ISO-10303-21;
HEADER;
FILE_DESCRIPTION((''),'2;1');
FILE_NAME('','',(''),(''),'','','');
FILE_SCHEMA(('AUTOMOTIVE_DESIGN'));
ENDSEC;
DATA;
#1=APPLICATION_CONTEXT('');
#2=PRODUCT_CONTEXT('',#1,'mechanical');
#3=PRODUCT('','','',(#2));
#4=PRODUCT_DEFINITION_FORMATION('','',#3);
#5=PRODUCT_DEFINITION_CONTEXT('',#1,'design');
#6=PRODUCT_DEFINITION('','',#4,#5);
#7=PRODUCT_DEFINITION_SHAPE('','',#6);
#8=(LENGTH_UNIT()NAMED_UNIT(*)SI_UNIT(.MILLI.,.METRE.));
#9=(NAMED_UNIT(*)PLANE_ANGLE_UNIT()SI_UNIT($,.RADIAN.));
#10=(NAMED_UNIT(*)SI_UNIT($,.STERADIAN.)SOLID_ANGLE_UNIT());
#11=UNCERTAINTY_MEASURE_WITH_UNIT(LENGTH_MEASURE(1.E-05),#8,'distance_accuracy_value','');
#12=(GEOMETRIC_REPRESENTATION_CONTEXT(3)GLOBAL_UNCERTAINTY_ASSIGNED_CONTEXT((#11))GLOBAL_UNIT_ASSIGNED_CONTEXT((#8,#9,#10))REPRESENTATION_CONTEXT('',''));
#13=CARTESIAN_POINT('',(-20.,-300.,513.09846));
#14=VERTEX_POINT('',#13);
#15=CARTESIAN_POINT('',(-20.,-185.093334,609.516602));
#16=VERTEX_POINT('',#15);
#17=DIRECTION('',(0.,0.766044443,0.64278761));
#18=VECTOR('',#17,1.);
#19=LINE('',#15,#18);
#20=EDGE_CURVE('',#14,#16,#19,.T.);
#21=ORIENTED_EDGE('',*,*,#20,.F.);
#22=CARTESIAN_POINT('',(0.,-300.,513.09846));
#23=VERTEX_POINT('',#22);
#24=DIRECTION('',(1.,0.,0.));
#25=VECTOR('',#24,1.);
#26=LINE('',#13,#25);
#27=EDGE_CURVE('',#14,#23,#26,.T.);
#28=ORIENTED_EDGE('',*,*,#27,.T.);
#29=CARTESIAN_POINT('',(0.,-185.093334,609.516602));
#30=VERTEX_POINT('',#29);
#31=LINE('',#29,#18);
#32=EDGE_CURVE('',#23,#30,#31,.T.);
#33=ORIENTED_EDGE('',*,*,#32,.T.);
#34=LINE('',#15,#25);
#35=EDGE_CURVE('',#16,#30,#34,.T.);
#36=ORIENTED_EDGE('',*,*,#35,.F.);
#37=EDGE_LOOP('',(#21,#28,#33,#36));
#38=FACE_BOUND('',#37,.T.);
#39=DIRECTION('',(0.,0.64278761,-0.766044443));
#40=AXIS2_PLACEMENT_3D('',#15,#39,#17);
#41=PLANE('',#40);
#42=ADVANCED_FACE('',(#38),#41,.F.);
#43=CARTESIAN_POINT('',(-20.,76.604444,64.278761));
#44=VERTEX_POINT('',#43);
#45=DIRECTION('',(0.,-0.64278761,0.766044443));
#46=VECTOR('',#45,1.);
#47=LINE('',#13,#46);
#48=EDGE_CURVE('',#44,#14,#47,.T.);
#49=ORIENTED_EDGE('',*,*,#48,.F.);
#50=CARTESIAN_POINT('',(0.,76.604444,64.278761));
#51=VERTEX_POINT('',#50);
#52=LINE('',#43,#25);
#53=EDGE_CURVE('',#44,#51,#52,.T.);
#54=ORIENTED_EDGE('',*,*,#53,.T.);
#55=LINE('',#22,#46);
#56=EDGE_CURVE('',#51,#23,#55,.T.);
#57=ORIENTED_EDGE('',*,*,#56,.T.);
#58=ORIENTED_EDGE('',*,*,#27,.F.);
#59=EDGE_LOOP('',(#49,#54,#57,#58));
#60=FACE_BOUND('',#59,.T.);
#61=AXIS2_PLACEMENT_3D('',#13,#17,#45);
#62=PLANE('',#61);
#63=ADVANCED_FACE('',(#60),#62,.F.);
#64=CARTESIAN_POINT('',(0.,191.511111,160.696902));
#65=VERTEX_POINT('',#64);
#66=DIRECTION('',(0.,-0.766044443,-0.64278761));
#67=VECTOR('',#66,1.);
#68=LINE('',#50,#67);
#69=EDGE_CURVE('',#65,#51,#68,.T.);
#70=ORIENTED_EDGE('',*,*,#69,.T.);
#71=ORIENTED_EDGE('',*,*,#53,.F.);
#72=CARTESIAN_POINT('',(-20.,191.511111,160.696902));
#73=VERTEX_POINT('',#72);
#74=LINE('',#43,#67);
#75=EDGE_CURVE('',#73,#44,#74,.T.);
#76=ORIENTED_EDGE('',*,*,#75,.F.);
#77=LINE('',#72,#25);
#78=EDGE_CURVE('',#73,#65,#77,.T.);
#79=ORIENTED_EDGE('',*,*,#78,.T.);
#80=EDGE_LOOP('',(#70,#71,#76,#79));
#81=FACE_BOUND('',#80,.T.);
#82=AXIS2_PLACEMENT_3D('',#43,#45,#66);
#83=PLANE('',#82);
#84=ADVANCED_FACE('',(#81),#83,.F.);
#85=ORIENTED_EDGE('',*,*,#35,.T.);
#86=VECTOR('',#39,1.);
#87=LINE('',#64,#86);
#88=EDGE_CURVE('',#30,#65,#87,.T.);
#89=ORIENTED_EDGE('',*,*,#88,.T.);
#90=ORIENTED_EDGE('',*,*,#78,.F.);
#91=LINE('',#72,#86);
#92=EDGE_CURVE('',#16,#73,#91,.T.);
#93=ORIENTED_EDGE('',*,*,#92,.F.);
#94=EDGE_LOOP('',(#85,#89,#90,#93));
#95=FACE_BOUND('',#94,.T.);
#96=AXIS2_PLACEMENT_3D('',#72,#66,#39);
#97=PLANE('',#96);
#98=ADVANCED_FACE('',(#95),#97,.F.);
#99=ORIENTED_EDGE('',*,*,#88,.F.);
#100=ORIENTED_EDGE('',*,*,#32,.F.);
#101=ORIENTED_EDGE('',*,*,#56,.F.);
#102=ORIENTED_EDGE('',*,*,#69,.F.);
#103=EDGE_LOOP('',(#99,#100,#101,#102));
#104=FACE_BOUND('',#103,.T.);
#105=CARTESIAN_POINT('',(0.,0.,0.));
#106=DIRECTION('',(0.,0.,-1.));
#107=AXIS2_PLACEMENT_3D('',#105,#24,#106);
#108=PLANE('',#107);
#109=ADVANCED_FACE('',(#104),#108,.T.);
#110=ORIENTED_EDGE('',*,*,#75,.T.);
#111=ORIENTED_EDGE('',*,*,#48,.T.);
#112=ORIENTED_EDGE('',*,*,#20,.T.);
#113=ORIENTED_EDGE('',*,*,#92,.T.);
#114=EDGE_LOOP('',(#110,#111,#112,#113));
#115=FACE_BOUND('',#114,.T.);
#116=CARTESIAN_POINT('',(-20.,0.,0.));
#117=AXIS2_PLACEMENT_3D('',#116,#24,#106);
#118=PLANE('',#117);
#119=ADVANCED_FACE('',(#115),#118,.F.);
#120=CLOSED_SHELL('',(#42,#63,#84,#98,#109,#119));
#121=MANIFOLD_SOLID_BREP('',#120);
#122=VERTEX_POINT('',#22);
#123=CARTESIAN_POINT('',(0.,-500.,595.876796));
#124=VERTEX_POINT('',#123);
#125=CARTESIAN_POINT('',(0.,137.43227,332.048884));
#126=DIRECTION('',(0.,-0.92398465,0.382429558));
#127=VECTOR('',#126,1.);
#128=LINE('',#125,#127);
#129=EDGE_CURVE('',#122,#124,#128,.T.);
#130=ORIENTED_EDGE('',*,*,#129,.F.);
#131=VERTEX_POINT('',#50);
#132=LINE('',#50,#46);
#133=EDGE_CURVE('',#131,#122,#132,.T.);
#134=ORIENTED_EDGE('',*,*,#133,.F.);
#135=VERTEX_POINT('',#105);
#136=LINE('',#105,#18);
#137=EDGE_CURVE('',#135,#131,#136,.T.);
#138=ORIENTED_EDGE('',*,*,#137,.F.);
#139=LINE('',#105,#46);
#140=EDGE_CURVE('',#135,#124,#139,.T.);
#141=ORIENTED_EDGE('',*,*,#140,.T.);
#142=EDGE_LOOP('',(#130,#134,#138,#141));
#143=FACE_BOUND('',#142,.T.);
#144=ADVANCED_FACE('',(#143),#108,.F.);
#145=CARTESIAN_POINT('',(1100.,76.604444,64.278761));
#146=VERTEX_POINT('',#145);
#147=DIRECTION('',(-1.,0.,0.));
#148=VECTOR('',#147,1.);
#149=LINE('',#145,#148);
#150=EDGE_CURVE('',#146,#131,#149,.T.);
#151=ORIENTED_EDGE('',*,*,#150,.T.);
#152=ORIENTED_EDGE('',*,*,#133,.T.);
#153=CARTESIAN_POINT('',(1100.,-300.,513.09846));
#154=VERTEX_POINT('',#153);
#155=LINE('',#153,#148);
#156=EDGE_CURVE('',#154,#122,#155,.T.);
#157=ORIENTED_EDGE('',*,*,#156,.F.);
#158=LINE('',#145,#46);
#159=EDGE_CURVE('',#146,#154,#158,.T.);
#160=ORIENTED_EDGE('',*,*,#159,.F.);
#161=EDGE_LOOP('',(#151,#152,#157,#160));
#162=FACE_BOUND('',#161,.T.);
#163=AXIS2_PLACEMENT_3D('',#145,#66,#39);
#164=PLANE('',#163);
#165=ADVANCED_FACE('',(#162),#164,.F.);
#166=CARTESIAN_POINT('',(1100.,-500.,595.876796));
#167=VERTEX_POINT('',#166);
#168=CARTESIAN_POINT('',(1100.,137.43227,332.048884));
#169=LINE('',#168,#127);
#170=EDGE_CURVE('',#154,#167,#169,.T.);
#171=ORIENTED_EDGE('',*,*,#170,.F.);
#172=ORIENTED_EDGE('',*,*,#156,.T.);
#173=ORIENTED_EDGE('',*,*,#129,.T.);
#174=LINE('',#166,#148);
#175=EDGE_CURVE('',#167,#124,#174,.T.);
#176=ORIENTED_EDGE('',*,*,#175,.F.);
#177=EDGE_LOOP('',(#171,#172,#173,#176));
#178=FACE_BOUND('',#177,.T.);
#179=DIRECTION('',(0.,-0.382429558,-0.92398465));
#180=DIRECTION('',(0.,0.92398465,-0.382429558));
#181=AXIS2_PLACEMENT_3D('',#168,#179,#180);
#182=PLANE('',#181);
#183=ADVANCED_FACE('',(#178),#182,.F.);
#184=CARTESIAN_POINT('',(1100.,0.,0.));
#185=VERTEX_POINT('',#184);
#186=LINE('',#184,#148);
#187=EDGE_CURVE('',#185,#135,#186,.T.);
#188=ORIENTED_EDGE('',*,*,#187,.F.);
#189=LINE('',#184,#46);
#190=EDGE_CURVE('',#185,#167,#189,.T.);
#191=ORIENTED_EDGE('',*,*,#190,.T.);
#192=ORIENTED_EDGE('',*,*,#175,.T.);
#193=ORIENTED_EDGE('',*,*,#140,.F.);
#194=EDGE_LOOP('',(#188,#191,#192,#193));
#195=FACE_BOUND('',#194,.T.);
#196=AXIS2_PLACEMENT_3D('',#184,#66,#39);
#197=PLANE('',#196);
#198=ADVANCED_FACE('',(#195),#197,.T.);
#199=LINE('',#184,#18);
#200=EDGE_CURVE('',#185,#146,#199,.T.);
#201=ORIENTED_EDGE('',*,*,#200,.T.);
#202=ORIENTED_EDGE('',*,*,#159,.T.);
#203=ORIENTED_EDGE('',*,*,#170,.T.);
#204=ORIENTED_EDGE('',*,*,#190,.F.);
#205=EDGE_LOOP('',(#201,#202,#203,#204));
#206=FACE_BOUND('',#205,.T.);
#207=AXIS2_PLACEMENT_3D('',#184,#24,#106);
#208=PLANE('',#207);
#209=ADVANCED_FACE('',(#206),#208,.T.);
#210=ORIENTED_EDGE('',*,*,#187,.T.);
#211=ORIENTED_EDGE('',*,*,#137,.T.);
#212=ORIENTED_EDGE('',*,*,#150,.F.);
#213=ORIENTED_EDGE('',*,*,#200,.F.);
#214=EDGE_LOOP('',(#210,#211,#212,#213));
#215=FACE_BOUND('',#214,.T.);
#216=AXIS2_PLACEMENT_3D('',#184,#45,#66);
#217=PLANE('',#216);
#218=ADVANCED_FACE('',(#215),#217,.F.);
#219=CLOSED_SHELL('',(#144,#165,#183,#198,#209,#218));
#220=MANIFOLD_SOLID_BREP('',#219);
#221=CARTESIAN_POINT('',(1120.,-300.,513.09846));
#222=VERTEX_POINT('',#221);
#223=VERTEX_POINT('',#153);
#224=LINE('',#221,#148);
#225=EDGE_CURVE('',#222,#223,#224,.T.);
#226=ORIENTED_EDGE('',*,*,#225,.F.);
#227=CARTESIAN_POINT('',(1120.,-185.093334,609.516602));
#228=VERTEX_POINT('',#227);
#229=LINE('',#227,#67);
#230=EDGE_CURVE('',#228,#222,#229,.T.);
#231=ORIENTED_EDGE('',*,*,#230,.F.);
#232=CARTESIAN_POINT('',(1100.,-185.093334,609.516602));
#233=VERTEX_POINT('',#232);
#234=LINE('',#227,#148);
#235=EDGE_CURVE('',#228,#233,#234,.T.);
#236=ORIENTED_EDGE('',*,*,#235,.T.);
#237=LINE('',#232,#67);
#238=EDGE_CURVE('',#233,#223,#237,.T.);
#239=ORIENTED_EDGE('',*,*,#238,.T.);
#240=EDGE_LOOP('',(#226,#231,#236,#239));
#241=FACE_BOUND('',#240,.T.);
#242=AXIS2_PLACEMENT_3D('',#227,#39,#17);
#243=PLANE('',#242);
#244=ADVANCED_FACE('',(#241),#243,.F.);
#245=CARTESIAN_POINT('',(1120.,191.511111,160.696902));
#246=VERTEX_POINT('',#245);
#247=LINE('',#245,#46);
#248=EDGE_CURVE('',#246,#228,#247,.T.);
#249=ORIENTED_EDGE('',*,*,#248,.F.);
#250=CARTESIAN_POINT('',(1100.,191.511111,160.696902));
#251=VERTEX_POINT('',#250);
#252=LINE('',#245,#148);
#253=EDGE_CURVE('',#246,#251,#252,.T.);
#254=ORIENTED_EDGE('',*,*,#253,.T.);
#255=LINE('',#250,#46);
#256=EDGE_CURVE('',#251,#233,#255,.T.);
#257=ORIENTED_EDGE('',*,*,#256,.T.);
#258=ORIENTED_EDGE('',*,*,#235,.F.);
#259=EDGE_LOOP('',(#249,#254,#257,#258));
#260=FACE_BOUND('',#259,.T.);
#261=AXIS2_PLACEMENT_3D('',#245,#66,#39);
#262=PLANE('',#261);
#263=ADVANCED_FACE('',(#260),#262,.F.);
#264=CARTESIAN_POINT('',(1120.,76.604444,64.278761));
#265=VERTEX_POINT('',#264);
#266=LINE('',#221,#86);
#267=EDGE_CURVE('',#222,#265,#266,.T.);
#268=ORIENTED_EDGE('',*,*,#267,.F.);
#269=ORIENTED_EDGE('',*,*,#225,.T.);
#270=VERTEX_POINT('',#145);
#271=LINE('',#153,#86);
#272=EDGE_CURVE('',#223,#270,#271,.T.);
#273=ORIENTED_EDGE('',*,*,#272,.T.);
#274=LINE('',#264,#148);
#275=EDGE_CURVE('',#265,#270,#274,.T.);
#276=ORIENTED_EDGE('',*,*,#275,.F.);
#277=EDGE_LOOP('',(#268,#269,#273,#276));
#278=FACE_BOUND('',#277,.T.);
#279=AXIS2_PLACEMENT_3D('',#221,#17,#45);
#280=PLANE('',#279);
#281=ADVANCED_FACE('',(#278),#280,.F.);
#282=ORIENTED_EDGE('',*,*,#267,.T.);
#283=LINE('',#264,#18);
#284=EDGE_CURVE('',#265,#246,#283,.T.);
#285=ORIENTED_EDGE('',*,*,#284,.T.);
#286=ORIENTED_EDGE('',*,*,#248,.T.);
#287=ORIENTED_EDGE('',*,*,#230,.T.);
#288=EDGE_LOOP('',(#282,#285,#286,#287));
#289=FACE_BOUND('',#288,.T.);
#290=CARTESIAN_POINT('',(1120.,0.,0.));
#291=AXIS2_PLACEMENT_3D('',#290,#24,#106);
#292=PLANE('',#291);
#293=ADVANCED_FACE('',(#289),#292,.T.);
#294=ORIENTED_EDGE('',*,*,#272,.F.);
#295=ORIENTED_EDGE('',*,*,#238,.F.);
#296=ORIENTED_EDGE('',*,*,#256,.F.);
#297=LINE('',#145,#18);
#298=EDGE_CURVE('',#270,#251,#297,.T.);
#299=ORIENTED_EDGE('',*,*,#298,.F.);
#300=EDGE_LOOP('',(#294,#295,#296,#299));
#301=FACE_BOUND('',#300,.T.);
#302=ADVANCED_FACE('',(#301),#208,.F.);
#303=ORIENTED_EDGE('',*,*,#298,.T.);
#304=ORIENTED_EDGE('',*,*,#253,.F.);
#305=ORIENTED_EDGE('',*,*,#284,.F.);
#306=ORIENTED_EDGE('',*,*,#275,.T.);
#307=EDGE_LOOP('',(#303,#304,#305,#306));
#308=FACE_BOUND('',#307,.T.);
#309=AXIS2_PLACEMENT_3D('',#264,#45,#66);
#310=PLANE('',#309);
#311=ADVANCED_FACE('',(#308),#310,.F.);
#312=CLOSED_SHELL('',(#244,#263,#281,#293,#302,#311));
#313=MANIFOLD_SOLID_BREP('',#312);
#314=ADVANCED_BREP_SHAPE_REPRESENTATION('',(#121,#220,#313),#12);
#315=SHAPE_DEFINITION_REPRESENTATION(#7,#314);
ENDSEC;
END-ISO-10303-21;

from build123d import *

# Parameters (mm, degrees)
BOSS_EXTRUDE2_DEPTH = 1100
BOSS_EXTRUDE3_DEPTH = 20
BOSS_EXTRUDE4_DEPTH = 20


with BuildPart() as part:
    # Sketch1 → Boss-Extrude2 (new body)
    with BuildSketch(Plane(origin=(0, 0, 0), x_dir=(0, 0, -1), z_dir=(1, 0, 0))):
        Polygon((-357.526077778, -300), (0, 0), (-64.278760969, 76.604444312), (-513.098460464, -300), (-595.876796297, -500), align=None)
    extrude(amount=BOSS_EXTRUDE2_DEPTH)


with BuildPart() as body_2:
    # Sketch2 → Boss-Extrude3 (new body)
    with BuildSketch(Plane(origin=(1100, 0, 0), x_dir=(0, 0, -1), z_dir=(1, 0, 0))):
        Polygon((-609.516601917, -185.093333532), (-513.098460464, -300), (-64.278760969, 76.604444312), (-160.696902422, 191.51111078), align=None)
    extrude(amount=BOSS_EXTRUDE3_DEPTH)


with BuildPart() as body_3:
    # Sketch3 → Boss-Extrude4 (new body)
    with BuildSketch(Plane.ZY):
        Polygon((64.278760969, 76.604444312), (160.696902422, 191.51111078), (609.516601917, -185.093333532), (513.098460464, -300), align=None)
    extrude(amount=BOSS_EXTRUDE4_DEPTH)


solid = Compound([part.part, body_2.part, body_3.part])
